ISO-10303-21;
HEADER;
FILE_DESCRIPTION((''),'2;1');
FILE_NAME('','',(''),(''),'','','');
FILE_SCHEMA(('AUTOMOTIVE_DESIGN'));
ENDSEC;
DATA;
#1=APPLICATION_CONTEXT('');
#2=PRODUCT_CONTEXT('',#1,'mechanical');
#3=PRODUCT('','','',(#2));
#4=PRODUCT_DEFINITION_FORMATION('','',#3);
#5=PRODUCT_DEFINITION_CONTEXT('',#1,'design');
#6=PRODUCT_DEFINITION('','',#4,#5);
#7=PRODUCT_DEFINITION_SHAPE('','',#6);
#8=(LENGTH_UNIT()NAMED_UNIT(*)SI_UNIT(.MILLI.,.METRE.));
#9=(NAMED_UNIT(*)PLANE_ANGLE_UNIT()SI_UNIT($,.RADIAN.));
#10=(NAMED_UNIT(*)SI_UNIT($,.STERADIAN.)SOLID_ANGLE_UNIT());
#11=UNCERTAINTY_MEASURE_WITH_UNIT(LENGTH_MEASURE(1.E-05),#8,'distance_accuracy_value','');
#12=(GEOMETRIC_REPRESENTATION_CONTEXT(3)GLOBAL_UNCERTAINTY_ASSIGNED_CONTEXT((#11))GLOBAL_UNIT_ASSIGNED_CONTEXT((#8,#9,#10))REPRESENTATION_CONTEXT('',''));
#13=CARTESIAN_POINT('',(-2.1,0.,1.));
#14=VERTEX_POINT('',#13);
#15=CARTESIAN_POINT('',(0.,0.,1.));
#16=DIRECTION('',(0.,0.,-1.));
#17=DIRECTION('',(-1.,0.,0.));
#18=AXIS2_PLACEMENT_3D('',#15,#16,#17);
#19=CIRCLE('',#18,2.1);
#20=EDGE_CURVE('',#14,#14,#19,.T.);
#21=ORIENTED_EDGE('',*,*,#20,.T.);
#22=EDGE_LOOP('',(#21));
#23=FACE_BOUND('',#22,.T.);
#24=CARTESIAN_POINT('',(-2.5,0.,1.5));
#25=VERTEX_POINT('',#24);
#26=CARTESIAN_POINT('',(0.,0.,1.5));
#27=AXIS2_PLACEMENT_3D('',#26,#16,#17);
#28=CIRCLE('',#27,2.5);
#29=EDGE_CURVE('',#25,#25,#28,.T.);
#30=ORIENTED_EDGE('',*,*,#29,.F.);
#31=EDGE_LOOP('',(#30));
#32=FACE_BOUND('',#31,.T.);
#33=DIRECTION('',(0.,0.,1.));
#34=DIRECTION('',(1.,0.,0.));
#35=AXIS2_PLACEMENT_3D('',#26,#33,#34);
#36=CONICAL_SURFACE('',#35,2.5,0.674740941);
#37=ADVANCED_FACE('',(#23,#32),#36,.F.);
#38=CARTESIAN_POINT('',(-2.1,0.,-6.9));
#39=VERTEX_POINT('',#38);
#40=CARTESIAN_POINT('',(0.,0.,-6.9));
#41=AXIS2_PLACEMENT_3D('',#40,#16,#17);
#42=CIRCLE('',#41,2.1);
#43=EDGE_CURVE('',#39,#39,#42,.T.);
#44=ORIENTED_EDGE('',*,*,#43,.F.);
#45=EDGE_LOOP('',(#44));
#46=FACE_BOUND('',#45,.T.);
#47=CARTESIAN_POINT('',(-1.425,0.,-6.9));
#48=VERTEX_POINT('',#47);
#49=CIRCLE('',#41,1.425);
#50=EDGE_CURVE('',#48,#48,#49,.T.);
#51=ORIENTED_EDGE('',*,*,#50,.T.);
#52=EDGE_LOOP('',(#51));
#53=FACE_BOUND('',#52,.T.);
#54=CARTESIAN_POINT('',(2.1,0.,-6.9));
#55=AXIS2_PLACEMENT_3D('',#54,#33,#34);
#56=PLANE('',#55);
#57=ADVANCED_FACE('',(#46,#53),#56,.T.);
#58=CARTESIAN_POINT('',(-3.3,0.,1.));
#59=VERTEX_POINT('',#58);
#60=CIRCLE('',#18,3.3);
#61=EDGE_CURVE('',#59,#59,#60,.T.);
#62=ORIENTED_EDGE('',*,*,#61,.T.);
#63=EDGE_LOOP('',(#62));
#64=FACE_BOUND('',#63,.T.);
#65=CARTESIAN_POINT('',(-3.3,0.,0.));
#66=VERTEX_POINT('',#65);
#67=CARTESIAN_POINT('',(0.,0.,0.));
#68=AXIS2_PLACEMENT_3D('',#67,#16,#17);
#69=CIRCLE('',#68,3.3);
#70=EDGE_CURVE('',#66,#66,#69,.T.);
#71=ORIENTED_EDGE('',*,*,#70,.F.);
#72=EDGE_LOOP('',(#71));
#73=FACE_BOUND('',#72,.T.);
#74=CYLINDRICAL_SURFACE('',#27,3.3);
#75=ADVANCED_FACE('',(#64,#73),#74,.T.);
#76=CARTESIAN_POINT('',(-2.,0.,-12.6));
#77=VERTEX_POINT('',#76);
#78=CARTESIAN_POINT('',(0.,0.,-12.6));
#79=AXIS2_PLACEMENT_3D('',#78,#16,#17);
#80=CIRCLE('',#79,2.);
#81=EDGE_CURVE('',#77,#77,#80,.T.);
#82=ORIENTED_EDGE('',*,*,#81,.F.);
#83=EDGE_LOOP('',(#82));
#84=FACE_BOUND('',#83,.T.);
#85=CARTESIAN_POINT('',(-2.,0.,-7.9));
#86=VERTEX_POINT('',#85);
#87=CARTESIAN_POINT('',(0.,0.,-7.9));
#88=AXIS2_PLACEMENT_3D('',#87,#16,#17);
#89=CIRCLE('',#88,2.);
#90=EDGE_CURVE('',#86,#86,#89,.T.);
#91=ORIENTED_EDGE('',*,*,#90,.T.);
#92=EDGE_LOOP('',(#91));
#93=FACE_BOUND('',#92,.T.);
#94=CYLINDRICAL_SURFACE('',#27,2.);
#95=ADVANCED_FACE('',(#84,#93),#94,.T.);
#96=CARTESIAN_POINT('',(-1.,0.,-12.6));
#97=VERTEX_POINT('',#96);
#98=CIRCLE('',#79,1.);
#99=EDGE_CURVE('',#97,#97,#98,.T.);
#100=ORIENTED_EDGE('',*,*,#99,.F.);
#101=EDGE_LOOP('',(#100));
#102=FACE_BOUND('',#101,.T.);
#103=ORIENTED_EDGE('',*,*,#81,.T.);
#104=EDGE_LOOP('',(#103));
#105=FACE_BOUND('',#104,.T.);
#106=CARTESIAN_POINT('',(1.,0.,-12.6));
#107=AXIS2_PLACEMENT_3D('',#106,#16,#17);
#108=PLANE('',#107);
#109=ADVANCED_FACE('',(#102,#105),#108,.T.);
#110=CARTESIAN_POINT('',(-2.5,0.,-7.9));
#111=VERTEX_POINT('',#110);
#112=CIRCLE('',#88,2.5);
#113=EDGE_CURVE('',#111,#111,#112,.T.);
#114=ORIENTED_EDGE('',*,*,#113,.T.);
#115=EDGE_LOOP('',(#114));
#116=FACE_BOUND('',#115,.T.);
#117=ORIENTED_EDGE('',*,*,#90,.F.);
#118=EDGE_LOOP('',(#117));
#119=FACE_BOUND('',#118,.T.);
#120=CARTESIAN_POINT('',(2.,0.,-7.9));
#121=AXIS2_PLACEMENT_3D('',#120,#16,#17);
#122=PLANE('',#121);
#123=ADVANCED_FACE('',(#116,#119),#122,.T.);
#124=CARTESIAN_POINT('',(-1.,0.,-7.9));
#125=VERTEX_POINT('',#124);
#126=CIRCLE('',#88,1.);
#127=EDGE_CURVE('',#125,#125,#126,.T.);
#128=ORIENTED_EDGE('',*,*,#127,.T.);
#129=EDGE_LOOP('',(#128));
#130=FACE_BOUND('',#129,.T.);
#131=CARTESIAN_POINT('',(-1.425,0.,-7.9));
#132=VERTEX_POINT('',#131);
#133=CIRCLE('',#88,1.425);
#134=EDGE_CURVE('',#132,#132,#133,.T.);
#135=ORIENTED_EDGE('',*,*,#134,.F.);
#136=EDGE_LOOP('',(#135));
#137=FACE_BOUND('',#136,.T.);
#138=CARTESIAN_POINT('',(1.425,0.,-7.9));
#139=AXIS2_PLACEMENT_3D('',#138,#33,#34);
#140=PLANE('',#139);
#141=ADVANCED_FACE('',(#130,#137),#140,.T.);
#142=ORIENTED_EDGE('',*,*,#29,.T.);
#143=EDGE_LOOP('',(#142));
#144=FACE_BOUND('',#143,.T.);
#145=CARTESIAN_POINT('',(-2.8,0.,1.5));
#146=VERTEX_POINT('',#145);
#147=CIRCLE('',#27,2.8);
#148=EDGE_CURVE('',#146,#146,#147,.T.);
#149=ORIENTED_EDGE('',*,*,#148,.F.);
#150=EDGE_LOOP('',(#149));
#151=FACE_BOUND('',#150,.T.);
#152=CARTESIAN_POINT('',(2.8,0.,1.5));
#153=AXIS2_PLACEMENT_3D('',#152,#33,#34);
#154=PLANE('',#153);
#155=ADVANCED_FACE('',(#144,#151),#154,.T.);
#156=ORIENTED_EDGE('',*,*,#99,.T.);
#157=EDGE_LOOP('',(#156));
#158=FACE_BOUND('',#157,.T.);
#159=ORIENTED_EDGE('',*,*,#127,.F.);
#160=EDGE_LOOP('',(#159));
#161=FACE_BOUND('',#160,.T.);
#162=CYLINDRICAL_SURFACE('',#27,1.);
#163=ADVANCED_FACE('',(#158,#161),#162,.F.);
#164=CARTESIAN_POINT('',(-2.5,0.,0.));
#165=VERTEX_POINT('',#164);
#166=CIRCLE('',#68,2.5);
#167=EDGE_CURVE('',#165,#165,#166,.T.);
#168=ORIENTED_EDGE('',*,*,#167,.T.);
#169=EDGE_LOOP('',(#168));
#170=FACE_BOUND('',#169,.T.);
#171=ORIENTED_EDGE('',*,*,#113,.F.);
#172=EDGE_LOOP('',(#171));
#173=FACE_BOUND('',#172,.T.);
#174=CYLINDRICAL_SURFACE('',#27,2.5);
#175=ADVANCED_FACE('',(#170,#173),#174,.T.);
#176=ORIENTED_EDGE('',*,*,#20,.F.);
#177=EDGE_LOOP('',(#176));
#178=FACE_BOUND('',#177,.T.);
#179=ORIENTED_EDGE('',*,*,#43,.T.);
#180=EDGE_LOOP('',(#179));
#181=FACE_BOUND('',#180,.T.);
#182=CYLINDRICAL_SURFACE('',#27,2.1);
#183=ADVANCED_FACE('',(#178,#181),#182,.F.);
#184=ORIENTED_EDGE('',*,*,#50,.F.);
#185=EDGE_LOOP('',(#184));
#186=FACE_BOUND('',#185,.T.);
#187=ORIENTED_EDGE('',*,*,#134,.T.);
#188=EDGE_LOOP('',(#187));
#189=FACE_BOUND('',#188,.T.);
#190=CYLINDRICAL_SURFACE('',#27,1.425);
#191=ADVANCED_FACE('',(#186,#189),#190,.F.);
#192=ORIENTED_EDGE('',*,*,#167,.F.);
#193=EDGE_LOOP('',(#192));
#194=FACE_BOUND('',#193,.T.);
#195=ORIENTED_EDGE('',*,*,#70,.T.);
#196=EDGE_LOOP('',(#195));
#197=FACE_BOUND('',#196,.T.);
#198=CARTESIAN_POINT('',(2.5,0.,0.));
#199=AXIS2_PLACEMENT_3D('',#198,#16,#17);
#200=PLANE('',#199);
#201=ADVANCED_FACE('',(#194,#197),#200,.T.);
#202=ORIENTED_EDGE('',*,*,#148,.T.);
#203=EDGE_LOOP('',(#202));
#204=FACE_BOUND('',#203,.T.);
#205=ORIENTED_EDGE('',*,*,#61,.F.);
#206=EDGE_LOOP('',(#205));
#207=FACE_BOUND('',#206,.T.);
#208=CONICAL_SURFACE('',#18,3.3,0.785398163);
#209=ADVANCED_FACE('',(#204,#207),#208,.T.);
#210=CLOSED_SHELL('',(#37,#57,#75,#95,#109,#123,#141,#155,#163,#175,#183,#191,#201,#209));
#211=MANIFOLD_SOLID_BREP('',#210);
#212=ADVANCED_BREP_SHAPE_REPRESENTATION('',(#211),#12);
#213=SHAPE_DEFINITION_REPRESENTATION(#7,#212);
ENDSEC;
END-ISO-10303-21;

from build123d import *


with BuildPart() as part:
    # Sketch1 → Revolve1 (revolve)
    with BuildSketch(Plane.XZ, mode=Mode.PRIVATE) as revolve1_sk:
        Polygon((2.1, -6.9), (1.425, -6.9), (1.425, -7.9), (1, -7.9), (1, -12.6), (2, -12.6), (2, -7.9), (2.5, -7.9), (2.5, 0), (3.3, 0), (3.3, 1), (2.8, 1.5), (2.5, 1.5), (2.1, 1), align=None)
    revolve(revolve1_sk.sketch.rotate(Axis((0, 0, 1.5), (0, 0, -1)), 180), axis=Axis((0, 0, 1.5), (0, 0, -1)))


solid = part.part
